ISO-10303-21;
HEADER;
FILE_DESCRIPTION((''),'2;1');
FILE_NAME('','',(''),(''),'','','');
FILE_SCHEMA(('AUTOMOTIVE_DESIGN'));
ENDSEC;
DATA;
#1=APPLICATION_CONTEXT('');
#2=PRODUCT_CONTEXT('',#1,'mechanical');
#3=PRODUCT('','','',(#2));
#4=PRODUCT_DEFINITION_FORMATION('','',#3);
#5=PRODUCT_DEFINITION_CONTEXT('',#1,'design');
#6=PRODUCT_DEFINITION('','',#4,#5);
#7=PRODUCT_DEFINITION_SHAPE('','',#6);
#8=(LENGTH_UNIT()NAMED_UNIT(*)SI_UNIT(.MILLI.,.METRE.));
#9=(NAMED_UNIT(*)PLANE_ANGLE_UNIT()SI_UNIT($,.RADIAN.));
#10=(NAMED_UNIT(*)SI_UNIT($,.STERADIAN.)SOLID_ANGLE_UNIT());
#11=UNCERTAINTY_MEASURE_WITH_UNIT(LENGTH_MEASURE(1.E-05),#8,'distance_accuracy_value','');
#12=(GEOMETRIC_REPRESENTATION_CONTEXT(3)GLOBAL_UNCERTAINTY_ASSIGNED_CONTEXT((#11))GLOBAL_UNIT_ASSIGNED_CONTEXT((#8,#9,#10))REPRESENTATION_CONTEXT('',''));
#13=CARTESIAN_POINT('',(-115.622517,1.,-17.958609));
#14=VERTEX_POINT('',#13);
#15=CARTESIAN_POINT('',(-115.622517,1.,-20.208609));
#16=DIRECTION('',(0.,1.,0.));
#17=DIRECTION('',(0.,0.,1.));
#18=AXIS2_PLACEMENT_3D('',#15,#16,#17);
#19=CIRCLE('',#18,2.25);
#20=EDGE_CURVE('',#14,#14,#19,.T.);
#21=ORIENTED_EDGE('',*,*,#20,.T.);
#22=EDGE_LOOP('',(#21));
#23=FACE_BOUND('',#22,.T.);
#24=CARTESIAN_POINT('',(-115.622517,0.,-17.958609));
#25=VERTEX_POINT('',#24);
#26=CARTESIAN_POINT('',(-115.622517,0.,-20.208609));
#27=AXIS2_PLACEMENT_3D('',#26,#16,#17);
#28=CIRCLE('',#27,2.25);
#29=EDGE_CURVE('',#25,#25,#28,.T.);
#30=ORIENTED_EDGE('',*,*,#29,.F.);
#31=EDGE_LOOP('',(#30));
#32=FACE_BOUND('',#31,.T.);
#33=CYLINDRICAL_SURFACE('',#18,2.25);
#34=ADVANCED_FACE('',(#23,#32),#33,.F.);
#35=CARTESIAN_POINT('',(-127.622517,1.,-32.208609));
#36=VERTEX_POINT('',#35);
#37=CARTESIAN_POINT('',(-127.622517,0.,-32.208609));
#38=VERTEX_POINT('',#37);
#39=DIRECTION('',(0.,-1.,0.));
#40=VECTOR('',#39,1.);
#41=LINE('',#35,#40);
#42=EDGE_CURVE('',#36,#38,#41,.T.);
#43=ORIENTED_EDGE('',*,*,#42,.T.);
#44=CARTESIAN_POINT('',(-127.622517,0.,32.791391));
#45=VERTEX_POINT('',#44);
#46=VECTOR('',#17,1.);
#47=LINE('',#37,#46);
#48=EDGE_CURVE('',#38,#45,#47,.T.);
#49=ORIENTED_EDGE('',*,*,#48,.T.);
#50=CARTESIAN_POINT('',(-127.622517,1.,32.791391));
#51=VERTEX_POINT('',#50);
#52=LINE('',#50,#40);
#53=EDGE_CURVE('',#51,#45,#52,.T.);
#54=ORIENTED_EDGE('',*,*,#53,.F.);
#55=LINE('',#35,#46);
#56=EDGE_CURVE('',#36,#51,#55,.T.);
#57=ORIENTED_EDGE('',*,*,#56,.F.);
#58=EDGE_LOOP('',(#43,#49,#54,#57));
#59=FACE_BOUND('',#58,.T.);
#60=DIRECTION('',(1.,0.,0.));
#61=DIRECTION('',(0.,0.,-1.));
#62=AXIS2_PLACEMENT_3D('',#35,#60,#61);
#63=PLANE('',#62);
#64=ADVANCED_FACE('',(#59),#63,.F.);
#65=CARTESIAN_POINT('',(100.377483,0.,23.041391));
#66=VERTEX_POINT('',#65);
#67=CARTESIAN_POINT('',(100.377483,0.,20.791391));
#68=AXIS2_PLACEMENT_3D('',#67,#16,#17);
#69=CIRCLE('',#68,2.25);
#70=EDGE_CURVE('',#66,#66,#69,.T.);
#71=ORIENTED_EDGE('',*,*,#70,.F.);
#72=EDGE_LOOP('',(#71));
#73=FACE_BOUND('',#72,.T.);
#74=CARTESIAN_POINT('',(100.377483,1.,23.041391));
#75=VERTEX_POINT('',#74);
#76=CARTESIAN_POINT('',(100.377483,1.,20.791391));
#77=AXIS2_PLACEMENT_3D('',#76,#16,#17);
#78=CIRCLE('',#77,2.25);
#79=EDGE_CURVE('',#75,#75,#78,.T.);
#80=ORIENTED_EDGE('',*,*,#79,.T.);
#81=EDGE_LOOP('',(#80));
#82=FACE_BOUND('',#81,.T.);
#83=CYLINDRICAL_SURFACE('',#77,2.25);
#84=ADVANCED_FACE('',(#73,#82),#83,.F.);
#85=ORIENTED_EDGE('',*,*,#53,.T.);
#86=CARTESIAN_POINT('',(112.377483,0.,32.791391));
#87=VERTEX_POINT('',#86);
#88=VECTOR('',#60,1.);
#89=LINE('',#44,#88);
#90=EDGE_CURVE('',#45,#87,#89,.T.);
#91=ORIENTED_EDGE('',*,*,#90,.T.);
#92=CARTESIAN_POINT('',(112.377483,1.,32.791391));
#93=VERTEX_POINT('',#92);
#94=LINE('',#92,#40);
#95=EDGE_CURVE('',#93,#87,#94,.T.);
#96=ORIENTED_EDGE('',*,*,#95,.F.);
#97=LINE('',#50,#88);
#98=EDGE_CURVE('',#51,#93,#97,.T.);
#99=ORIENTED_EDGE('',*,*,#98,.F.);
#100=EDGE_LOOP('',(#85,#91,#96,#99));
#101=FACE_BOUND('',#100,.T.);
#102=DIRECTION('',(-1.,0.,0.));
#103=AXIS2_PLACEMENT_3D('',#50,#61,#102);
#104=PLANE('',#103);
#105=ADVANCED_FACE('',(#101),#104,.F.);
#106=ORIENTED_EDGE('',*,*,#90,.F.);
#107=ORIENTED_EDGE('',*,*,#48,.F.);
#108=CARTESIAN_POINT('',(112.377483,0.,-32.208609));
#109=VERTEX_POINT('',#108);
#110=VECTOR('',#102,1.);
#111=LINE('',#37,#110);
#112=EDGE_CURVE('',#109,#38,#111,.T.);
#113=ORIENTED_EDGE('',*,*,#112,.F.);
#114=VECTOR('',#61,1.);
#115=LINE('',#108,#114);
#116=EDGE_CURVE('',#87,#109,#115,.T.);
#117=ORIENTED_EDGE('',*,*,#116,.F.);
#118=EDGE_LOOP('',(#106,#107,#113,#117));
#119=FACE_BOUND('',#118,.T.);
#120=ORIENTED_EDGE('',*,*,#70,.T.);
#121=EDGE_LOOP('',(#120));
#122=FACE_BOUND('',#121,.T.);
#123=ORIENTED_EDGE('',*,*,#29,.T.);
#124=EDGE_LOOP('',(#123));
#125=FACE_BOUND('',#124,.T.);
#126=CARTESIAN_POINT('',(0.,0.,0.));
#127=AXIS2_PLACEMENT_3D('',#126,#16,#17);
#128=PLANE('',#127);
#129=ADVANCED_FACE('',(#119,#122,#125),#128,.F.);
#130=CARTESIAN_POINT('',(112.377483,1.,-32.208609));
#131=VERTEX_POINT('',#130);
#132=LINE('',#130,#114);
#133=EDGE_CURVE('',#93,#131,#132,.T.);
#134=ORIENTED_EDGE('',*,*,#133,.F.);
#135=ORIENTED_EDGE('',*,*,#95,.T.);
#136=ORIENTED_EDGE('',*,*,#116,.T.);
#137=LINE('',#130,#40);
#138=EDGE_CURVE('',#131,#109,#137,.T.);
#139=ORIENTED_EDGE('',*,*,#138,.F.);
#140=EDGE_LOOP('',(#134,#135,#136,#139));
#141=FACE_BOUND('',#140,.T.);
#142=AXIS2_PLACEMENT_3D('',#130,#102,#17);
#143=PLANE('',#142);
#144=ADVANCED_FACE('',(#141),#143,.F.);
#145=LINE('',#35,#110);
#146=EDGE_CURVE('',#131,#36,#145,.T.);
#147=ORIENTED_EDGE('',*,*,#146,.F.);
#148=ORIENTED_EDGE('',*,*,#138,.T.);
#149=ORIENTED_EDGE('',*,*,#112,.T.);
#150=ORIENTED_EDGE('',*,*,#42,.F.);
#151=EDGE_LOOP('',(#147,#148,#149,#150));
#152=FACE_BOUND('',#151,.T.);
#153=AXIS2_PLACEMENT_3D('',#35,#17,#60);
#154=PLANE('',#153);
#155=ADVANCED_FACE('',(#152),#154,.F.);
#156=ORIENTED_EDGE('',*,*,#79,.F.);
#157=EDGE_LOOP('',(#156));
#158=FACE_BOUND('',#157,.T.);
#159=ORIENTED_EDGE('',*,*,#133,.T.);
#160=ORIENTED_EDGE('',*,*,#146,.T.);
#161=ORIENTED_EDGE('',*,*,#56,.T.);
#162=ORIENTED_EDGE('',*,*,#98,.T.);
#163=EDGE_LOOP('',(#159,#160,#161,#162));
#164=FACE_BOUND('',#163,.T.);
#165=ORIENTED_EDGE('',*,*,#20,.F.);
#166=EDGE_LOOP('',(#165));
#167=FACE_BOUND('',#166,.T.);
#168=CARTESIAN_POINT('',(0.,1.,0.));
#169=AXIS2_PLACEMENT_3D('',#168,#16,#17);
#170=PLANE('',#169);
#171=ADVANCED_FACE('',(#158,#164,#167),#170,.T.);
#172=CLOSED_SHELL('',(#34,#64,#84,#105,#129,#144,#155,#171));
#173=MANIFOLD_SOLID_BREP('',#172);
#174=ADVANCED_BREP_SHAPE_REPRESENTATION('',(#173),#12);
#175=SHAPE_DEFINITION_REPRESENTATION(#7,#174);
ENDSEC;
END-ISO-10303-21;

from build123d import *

# Parameters (mm, degrees)
SKETCH1_W            = 240
SKETCH1_H            = 65
BOSS_EXTRUDE1_DEPTH  = 1
M4_CLEARANCE_SLOT1_D = 4.5


with BuildPart() as part:
    # Sketch1 → Boss-Extrude1 (new body)
    with BuildSketch(Plane(origin=(0, 0, 0), x_dir=(1, 0, 0), z_dir=(0, 1, 0))):
        with Locations((-7.622516556, -0.291390728)):
            Rectangle(SKETCH1_W, SKETCH1_H)
    extrude(amount=BOSS_EXTRUDE1_DEPTH)

    # M4 Clearance Slot1 (through all)
    with Locations(Plane(origin=(0, 1, 0), x_dir=(1, 0, 0), z_dir=(0, 1, 0))):
        with Locations((100.377483444, -20.791390728), (-115.622516556, 20.208609272)):
            Hole(M4_CLEARANCE_SLOT1_D / 2)


solid = part.part
